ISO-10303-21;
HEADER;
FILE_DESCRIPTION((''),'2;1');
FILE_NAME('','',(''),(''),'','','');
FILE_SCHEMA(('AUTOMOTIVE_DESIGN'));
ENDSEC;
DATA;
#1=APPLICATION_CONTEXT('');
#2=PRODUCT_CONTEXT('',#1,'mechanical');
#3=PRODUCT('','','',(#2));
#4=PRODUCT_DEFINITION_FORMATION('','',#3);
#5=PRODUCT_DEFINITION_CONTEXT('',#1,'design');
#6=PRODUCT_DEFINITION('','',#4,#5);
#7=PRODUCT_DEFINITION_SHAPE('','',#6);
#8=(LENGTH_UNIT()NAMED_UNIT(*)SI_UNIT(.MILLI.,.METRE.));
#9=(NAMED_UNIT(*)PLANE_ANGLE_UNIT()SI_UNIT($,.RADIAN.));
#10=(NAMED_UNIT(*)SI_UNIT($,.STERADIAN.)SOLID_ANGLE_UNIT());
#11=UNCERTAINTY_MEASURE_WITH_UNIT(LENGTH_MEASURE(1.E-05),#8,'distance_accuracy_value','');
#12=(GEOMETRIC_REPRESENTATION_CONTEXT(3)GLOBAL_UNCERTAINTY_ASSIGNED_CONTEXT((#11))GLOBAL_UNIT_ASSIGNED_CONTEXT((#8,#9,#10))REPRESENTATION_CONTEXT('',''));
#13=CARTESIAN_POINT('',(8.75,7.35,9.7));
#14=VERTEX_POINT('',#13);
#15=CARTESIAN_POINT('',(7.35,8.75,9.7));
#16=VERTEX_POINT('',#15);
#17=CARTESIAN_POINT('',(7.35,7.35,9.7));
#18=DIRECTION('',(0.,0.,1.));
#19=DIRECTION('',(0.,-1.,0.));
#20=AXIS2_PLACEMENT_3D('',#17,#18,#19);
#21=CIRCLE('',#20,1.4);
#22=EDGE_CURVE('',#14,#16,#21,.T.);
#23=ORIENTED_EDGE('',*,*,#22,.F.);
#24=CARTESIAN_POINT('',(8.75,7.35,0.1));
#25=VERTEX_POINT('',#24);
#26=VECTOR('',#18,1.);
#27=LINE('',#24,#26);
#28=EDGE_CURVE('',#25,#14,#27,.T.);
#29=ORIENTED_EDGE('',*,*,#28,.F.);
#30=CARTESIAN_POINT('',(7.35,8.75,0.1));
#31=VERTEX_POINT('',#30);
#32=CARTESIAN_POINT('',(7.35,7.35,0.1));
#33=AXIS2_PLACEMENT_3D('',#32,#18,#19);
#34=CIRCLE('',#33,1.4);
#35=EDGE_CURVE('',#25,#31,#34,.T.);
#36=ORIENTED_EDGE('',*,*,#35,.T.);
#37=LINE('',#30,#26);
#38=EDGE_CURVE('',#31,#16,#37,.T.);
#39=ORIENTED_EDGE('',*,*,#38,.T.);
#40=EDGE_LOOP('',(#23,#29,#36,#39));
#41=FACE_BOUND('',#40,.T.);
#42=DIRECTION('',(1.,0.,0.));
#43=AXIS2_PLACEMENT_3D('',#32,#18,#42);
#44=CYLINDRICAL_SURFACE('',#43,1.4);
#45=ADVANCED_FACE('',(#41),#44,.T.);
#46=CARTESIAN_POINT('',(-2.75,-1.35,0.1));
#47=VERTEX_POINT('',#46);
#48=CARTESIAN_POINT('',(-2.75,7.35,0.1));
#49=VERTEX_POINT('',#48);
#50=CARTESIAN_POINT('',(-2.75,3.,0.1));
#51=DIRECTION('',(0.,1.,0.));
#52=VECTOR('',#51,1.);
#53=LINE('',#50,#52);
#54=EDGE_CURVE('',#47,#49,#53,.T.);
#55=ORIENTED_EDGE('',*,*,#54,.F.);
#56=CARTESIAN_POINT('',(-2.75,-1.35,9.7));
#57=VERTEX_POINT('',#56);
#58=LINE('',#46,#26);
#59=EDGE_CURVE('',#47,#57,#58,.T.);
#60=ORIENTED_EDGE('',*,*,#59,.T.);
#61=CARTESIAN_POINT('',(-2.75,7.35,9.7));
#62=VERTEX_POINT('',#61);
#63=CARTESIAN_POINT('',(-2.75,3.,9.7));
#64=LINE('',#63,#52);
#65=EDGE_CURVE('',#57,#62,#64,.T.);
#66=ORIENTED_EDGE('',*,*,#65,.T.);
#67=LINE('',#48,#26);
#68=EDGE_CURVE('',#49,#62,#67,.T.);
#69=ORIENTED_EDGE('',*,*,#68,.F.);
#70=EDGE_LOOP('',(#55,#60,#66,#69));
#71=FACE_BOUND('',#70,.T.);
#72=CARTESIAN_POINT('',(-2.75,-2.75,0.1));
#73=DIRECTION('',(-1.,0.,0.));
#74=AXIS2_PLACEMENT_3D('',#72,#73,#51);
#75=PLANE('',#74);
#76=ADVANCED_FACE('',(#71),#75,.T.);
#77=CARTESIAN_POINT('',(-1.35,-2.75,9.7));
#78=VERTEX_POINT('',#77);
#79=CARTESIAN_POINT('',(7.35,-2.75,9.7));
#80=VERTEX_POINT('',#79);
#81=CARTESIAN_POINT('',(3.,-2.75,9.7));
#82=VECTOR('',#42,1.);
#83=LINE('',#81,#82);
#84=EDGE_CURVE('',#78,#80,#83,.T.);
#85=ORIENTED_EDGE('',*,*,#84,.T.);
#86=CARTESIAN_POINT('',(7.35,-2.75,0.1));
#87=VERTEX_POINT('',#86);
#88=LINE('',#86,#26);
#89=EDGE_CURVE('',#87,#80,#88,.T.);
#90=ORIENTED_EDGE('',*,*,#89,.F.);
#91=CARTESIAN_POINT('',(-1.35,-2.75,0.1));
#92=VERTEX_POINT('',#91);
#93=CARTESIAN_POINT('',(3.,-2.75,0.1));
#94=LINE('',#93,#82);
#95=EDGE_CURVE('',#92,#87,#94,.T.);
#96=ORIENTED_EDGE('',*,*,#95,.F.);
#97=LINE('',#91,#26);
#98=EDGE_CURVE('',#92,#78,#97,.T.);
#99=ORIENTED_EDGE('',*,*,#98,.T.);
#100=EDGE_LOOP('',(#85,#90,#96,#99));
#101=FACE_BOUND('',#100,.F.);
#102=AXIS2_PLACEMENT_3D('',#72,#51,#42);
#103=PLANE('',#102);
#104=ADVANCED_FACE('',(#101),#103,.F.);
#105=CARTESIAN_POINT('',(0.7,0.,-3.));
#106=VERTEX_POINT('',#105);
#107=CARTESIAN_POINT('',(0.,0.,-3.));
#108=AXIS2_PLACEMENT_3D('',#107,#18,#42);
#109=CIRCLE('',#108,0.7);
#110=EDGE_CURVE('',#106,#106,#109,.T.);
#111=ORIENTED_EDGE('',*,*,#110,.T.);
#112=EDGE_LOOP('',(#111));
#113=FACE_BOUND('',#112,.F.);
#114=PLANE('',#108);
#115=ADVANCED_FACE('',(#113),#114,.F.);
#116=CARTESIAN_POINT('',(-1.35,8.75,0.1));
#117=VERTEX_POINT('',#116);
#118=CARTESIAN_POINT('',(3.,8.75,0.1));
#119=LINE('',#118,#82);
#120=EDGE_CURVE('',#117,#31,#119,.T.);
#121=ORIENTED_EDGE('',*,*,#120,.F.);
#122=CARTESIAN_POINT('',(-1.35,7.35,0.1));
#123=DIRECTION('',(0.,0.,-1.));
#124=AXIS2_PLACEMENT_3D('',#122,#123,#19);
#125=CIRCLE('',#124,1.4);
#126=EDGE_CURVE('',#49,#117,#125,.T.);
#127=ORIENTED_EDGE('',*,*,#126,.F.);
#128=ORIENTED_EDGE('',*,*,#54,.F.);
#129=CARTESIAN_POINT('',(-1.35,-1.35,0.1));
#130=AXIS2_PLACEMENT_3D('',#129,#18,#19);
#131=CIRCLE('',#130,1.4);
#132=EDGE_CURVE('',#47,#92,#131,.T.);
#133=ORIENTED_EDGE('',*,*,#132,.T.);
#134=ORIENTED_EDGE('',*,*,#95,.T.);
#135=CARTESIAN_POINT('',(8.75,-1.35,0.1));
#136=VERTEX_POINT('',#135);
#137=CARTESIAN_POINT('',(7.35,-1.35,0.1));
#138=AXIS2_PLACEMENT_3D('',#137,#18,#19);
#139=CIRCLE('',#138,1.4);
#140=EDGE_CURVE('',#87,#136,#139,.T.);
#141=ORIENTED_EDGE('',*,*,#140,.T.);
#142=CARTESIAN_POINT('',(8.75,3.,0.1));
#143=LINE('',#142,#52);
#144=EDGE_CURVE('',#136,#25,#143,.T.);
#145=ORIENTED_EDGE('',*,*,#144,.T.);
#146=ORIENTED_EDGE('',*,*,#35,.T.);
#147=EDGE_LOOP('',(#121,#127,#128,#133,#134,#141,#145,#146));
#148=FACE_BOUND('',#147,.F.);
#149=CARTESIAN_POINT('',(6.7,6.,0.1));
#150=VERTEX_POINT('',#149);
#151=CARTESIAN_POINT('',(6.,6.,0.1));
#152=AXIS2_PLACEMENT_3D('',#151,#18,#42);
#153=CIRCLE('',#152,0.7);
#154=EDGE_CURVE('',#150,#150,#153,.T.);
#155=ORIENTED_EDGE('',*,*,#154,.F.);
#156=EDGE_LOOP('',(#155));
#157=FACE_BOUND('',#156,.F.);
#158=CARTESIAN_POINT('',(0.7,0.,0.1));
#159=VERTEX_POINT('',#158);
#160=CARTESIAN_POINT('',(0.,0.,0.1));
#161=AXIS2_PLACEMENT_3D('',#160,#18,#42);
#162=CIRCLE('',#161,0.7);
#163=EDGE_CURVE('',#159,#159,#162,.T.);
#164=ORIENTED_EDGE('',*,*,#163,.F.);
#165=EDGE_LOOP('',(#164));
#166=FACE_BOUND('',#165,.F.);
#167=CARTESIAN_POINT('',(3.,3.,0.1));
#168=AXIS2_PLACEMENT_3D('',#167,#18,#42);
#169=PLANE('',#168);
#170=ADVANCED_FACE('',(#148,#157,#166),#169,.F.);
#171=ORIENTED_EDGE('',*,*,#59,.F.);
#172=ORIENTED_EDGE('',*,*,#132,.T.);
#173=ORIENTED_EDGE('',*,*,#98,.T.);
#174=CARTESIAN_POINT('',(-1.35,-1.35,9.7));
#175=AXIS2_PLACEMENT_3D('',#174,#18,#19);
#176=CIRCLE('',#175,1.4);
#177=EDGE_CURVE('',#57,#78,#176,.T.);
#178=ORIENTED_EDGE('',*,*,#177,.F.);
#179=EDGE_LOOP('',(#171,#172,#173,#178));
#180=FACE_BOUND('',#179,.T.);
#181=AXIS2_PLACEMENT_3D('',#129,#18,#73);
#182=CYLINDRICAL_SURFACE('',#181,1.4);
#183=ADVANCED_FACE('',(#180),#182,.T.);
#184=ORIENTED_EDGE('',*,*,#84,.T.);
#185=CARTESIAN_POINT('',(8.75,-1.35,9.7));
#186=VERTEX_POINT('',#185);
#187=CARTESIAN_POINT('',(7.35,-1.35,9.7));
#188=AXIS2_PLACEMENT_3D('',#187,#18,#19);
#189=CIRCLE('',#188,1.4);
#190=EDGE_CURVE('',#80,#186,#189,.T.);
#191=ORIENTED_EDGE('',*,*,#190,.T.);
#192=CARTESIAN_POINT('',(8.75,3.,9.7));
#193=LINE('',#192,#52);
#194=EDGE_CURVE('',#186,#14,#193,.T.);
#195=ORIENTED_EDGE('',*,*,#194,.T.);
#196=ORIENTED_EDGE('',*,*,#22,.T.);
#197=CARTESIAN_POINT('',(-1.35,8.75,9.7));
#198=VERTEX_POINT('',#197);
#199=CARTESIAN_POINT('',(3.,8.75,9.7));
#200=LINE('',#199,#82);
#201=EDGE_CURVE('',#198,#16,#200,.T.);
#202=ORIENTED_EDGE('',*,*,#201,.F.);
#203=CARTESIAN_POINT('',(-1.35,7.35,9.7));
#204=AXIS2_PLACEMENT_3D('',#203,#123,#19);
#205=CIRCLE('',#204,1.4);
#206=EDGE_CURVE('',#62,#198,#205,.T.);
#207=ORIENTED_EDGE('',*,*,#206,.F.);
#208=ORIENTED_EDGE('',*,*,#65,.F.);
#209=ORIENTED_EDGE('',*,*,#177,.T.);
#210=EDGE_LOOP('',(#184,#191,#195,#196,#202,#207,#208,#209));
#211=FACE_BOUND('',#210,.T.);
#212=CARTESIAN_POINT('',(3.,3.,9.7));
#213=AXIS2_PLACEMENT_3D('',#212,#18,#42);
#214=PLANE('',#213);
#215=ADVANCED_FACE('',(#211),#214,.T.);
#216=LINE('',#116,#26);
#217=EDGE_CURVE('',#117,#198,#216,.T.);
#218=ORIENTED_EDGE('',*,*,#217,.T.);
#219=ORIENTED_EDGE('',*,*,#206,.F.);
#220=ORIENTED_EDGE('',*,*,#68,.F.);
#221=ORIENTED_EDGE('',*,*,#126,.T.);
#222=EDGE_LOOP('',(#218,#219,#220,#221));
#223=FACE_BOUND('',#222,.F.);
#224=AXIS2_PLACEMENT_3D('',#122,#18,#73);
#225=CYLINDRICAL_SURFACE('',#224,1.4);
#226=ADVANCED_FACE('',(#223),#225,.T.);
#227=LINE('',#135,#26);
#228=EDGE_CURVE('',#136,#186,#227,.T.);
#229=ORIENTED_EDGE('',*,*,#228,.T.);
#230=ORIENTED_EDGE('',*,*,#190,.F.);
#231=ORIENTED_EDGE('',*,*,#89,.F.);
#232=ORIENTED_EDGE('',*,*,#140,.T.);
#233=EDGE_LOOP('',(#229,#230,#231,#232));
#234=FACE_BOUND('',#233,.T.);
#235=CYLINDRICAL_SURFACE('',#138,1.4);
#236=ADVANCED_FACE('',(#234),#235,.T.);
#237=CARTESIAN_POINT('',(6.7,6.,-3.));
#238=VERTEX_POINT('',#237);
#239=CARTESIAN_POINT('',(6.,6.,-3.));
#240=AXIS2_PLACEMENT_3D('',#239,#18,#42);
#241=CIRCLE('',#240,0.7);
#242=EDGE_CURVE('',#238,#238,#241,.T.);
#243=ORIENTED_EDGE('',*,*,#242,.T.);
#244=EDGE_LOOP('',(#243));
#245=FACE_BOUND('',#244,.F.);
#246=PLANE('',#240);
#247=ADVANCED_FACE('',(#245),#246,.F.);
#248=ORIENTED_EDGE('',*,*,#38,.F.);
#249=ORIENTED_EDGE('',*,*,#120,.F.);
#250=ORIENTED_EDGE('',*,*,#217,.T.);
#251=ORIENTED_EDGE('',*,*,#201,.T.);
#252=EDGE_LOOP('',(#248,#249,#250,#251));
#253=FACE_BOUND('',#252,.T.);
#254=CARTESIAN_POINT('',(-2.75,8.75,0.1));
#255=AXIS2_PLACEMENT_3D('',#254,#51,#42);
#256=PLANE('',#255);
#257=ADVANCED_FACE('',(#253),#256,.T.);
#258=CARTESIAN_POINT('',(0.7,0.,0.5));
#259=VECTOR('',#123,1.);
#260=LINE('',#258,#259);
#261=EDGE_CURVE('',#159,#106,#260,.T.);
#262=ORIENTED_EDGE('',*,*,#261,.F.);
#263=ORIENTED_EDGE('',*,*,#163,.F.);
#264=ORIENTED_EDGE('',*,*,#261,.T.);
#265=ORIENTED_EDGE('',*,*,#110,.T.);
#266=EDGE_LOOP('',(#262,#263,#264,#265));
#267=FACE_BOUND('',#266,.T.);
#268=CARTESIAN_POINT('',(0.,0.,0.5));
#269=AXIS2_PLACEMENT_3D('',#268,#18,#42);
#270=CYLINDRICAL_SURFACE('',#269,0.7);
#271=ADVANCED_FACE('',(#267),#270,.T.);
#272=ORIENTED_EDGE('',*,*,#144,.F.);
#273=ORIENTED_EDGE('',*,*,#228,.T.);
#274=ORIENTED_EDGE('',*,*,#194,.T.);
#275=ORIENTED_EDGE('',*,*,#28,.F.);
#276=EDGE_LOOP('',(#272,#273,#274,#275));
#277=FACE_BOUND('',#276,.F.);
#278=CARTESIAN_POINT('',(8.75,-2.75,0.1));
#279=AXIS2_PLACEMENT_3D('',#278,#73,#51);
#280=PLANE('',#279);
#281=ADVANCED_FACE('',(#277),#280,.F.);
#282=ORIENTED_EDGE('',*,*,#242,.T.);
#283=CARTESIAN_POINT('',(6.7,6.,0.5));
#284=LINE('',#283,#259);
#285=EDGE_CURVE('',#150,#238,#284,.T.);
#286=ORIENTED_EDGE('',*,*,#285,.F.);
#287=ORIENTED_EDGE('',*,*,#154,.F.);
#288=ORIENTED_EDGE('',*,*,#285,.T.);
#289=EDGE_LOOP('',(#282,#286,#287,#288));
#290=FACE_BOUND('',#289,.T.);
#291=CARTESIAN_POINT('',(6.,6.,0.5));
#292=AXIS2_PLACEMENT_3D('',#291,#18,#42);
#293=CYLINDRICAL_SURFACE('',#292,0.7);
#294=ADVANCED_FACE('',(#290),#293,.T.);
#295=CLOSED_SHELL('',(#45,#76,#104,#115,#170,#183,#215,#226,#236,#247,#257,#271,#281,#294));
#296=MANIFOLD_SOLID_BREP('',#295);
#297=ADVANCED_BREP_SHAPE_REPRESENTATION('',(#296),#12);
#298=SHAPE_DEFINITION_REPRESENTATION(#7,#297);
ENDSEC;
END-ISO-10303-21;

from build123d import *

# Parameters (mm, degrees)
SKETCH_W     = 11.5
SKETCH_H     = 11.5
PAD_DEPTH    = 9.6
FILLET_R     = 1.4
SKETCH001_R  = 0.7
PAD001_DEPTH = 3.5


with BuildPart() as fillet_body:
    # Sketch → Pad (new body)
    with BuildSketch(Plane.XY.offset(0.1)):
        with Locations((3, 3)):
            Rectangle(SKETCH_W, SKETCH_H)
    extrude(amount=PAD_DEPTH)

    # Fillet
    fillet_edges = [fillet_body.edges().sort_by_distance(p)[0] for p in [
        (8.75, -2.75, 4.9),
        (8.75, 8.75, 4.9),
        (-2.75, -2.75, 4.9),
        (-2.75, 8.75, 4.9),
    ]]
    fillet(fillet_edges, radius=FILLET_R)


with BuildPart() as pad001_mp_cp:
    # Sketch001 → Pad001 (new body)
    with BuildSketch(Plane.XY.offset(0.5)):
        Circle(SKETCH001_R)
        with Locations((6, 6)):
            Circle(SKETCH001_R)
    extrude(amount=-PAD001_DEPTH)

    # Pad001_mp_cp: union Fillet body
    add(fillet_body.part)


solid = pad001_mp_cp.part
